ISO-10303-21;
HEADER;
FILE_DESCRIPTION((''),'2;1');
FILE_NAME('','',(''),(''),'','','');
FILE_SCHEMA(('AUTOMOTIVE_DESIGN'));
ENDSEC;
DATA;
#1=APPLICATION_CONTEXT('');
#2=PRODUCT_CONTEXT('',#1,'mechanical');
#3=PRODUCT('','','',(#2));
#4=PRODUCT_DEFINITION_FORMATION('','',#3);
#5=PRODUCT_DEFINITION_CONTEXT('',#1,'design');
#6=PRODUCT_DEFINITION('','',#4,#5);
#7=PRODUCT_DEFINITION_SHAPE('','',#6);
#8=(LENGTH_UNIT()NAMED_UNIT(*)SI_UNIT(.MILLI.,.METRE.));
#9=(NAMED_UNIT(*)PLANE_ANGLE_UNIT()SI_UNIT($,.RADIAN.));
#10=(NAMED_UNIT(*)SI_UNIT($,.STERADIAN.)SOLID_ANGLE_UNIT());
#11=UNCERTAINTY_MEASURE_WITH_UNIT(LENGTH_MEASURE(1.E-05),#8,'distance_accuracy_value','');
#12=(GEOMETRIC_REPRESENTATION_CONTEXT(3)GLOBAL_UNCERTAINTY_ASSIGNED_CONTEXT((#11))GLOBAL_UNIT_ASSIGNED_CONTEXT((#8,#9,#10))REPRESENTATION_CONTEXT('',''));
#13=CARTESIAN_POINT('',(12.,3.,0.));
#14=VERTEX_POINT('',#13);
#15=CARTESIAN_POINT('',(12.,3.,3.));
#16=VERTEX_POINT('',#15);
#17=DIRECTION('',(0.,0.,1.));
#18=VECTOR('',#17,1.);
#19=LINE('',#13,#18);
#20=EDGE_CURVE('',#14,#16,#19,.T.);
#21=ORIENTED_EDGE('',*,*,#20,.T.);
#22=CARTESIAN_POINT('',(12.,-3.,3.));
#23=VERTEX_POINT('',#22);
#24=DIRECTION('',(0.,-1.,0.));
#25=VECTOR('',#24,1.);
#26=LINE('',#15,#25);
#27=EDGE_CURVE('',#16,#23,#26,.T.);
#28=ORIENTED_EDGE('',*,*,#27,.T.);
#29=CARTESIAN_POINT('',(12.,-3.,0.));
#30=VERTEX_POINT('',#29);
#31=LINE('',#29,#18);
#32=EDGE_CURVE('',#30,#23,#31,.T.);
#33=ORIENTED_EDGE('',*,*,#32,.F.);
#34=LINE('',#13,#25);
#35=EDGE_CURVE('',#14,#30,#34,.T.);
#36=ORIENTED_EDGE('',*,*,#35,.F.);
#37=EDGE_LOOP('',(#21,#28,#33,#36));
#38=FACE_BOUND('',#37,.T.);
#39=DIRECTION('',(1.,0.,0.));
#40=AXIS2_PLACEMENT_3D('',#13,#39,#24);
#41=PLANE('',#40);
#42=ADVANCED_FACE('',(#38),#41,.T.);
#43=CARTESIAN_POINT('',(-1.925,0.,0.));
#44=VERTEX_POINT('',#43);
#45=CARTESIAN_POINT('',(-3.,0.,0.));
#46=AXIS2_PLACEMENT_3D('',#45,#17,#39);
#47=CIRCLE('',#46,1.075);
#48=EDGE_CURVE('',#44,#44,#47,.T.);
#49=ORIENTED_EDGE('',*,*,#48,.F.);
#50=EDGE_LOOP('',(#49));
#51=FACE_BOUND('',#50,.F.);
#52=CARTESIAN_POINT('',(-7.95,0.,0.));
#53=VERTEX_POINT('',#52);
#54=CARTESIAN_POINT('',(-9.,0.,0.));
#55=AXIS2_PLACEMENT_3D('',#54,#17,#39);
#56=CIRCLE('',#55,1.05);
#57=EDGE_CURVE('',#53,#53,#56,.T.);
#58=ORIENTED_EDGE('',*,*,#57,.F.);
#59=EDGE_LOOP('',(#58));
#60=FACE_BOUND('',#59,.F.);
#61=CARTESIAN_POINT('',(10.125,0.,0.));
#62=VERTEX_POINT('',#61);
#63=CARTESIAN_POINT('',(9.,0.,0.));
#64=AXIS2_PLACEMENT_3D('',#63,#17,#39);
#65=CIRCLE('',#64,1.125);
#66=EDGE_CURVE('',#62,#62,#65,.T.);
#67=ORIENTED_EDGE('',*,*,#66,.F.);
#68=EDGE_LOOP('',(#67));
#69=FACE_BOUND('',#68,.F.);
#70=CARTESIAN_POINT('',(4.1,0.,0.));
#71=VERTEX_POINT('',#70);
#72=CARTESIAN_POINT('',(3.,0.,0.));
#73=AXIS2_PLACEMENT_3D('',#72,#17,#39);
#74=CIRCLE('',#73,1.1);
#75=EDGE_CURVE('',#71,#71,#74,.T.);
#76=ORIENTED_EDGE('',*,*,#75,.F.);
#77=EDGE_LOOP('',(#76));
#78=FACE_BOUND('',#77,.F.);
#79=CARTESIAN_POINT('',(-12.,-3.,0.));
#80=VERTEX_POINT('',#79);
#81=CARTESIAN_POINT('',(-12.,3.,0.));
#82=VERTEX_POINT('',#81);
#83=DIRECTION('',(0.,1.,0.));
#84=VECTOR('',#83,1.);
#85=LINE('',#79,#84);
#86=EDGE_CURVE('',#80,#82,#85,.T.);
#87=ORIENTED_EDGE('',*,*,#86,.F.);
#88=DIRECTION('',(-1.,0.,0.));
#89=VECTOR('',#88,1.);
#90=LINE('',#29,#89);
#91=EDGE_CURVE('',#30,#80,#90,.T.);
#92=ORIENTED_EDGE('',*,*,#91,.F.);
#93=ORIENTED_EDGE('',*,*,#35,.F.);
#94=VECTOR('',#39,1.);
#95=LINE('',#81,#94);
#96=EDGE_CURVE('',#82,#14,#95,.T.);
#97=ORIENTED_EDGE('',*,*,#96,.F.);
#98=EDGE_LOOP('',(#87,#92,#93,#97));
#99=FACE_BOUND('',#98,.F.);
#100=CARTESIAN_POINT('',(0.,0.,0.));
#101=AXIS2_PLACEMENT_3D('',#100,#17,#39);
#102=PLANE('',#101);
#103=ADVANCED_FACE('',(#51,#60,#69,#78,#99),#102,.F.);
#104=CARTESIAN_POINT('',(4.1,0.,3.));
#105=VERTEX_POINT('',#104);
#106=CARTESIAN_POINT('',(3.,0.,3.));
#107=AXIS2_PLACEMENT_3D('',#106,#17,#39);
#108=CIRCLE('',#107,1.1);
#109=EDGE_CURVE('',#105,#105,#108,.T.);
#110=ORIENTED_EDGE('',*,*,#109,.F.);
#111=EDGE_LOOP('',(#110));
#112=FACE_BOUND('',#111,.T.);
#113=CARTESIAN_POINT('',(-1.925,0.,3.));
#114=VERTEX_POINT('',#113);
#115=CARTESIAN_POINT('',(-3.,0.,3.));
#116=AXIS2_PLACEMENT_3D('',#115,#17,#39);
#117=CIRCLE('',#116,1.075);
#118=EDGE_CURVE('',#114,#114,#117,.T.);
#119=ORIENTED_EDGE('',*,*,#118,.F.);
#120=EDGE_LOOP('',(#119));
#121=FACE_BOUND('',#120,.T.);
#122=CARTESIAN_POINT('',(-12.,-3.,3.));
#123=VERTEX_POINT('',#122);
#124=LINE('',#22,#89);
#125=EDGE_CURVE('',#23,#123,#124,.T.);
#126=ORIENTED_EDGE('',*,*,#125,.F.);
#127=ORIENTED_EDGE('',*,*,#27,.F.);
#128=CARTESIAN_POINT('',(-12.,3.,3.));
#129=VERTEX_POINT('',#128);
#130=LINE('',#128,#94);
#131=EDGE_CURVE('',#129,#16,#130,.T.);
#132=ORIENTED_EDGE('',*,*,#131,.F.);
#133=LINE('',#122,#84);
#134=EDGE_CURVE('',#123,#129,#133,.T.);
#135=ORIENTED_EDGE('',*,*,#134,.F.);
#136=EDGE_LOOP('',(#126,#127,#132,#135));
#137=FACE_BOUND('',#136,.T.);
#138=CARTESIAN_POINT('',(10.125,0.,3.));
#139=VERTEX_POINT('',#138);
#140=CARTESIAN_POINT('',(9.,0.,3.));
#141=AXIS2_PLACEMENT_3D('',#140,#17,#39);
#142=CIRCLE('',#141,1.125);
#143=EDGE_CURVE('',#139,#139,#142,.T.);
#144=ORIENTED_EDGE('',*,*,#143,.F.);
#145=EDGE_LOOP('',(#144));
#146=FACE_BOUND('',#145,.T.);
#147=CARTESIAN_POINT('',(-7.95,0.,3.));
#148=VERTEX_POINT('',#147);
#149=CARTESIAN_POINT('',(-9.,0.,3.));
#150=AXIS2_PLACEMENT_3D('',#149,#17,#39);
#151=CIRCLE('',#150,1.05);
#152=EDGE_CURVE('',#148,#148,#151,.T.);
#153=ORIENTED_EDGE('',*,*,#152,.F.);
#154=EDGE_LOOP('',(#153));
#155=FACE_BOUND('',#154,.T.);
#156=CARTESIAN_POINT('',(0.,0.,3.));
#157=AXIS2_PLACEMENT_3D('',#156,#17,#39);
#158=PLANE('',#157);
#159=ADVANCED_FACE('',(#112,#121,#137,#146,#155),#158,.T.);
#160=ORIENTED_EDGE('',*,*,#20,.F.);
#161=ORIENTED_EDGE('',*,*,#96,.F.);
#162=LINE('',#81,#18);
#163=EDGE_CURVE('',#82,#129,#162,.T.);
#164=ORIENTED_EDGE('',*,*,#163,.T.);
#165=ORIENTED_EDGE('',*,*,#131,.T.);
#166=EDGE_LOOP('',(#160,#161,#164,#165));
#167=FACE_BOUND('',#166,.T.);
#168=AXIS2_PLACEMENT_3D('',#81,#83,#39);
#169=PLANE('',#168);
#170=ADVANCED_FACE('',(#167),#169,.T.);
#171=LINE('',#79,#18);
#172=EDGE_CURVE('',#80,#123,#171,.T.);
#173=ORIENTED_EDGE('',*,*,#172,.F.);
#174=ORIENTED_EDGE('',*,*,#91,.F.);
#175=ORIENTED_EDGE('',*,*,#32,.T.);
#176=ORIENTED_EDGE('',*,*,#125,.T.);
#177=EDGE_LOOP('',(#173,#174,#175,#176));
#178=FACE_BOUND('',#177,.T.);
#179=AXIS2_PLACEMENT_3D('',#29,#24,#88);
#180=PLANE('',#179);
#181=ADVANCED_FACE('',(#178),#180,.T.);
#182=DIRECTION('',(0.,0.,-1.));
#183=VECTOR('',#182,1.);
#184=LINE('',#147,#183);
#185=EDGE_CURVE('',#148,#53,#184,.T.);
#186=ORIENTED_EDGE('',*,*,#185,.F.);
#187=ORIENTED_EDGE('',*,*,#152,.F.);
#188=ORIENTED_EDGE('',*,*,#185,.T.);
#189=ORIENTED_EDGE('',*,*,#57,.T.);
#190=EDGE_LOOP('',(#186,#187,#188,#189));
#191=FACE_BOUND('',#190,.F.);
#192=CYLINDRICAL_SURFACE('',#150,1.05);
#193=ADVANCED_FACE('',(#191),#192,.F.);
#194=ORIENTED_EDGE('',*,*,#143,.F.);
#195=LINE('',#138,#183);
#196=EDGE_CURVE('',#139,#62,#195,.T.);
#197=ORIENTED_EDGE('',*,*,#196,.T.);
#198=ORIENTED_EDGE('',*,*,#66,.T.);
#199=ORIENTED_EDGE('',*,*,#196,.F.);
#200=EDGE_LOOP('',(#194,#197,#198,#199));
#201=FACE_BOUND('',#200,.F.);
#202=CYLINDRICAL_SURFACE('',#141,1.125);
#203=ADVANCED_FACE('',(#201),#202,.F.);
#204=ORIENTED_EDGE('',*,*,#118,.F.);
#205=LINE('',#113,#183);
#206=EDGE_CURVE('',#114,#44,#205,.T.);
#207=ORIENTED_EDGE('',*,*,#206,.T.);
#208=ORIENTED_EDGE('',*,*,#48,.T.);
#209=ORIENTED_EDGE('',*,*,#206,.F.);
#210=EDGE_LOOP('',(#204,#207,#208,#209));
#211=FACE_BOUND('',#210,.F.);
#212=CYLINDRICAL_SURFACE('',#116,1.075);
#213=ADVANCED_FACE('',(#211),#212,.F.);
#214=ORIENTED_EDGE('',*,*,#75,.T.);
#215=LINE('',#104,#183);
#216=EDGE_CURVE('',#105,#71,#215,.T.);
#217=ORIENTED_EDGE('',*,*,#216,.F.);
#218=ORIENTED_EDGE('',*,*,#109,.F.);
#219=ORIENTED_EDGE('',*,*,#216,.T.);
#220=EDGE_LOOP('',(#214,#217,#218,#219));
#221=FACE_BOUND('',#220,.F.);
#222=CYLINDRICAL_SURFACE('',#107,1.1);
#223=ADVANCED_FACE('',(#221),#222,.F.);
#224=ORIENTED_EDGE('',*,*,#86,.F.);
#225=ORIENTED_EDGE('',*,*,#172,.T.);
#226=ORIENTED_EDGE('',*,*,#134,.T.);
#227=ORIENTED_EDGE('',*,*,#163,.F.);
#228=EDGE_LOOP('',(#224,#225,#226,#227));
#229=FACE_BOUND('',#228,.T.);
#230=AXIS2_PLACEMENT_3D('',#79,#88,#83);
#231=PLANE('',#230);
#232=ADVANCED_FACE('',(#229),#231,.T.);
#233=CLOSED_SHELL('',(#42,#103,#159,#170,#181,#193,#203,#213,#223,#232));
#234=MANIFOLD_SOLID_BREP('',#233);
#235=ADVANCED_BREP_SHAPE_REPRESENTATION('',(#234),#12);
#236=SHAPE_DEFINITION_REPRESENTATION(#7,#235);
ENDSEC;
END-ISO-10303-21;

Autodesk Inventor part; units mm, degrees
ref_plane "YZ Plane" through (0, 0, 0) normal (1, 0, 0) x (0, 1, 0)
ref_plane "XZ Plane" through (0, 0, 0) normal (0, 1, 0) x (-1, 0, 0)
ref_plane "XY Plane" through (0, 0, 0) normal (0, 0, 1) x (1, 0, 0)
sketch "スケッチ1" plane through (0, 0, 0) normal (0, 0, 1) x (1, 0, 0)
  line L0 (-12, 3) -> (12, 3)
  line L1 (12, 3) -> (12, -3)
  line L2 (12, -3) -> (-12, -3)
  line L3 (-12, -3) -> (-12, 3)
  point P0 (0, 0)
  point P1 (-12, 0)
  point P2 (0, 3)
  dimension "d0" = 24
  dimension "d1" = 6
extrude "押し出し1" add sketch "スケッチ1" along normal blind 3
sketch "スケッチ2" plane through (0, 0, 3) normal (0, 0, 1) x (1, 0, 0)
  circle A0 centre (-9, 0) radius 1.05
  circle A1 centre (-3, 0) radius 1.075
  circle A2 centre (3, 0) radius 1.1
  circle A3 centre (9, 0) radius 1.125
  line L0 (-12, 3) -> (-12, -3) projected
  point P0 (0, 0)
  dimension "d4" = 6
  dimension "d5" = 6
  dimension "d6" = 6
  dimension "d7" = 2.1
  dimension "d8" = 2.15
  dimension "d9" = 2.2
  dimension "d10" = 2.25
  dimension "d11" = 3
extrude "押し出し2" cut sketch "スケッチ2" against normal through all
equation "\"d5\" = d4"
equation "\"d6\" = d4"
properties part number "Hole-Gauge"
